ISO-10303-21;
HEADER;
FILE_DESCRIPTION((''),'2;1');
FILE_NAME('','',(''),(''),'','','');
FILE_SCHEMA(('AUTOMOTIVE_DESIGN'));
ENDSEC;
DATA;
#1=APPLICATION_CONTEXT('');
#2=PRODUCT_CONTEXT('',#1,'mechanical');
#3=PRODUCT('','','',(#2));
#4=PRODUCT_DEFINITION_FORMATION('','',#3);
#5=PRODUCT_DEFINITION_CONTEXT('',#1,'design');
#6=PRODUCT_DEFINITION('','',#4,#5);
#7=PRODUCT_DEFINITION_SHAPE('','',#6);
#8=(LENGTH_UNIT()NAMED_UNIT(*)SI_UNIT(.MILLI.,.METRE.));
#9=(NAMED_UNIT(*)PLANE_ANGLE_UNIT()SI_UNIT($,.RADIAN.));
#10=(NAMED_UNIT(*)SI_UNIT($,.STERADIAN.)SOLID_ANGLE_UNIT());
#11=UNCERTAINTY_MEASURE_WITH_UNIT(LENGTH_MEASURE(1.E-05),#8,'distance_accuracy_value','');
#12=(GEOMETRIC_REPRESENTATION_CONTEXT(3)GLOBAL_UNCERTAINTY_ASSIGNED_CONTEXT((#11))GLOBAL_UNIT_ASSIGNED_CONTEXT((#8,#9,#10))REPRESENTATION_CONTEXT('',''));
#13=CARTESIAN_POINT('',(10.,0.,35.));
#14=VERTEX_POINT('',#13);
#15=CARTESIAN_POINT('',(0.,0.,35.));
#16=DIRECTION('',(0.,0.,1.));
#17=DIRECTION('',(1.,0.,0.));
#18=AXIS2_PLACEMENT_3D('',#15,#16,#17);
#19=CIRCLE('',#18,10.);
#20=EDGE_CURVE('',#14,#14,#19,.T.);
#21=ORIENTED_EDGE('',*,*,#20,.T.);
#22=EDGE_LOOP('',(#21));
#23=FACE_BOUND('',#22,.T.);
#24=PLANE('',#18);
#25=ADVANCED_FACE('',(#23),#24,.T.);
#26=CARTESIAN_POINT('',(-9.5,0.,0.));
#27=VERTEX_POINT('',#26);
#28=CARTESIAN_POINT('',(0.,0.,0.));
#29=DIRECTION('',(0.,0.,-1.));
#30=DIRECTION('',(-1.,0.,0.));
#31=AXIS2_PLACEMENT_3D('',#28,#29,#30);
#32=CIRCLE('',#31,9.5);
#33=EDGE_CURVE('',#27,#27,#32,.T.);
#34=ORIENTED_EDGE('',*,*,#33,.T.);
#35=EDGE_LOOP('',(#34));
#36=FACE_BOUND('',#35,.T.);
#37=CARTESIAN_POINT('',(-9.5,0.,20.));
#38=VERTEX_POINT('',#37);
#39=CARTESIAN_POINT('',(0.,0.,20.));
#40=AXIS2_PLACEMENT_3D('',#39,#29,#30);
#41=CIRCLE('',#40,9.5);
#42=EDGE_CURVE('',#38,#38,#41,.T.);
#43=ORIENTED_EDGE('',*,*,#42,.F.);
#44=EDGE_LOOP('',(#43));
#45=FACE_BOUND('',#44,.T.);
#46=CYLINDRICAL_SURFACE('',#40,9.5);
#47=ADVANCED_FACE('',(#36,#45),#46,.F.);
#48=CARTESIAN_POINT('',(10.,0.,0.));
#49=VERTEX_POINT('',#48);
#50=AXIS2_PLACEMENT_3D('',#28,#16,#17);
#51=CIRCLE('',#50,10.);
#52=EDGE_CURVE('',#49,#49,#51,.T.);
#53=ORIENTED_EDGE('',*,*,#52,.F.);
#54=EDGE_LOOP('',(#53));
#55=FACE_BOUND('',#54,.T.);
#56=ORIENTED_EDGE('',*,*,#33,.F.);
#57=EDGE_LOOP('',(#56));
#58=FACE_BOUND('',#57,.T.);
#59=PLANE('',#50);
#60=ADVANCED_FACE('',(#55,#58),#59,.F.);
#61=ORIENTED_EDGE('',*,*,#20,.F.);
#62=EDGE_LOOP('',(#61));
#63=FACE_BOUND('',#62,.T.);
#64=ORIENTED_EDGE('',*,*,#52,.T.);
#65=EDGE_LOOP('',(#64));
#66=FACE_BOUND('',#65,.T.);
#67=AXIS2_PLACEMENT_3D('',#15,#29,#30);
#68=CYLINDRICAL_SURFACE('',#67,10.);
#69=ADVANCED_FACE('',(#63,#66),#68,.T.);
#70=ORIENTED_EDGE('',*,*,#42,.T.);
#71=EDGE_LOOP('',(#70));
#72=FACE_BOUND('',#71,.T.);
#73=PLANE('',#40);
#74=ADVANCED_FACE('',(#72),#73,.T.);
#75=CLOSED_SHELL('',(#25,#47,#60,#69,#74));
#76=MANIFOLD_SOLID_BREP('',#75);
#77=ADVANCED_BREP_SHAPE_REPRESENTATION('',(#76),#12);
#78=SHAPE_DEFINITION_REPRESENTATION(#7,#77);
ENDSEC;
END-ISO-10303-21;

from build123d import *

# Parameters (mm, degrees)
SKETCH_1_R          = 10
EXTRUDE_1_DEPTH     = 35
SKETCH_3_R          = 9.5
CUT_EXTRUDE_1_DEPTH = 20


with BuildPart() as part:
    # 草图1 → 凸台-拉伸1 (new body)
    with BuildSketch(Plane.XY):
        Circle(SKETCH_1_R)
    extrude(amount=EXTRUDE_1_DEPTH)

    # 草图3 → 切除-拉伸1 (cut)
    with BuildSketch(Plane(origin=(0, 0, 0), x_dir=(-1, 0, 0), z_dir=(0, 0, -1))):
        Circle(SKETCH_3_R)
    extrude(amount=-CUT_EXTRUDE_1_DEPTH, mode=Mode.SUBTRACT)


solid = part.part
